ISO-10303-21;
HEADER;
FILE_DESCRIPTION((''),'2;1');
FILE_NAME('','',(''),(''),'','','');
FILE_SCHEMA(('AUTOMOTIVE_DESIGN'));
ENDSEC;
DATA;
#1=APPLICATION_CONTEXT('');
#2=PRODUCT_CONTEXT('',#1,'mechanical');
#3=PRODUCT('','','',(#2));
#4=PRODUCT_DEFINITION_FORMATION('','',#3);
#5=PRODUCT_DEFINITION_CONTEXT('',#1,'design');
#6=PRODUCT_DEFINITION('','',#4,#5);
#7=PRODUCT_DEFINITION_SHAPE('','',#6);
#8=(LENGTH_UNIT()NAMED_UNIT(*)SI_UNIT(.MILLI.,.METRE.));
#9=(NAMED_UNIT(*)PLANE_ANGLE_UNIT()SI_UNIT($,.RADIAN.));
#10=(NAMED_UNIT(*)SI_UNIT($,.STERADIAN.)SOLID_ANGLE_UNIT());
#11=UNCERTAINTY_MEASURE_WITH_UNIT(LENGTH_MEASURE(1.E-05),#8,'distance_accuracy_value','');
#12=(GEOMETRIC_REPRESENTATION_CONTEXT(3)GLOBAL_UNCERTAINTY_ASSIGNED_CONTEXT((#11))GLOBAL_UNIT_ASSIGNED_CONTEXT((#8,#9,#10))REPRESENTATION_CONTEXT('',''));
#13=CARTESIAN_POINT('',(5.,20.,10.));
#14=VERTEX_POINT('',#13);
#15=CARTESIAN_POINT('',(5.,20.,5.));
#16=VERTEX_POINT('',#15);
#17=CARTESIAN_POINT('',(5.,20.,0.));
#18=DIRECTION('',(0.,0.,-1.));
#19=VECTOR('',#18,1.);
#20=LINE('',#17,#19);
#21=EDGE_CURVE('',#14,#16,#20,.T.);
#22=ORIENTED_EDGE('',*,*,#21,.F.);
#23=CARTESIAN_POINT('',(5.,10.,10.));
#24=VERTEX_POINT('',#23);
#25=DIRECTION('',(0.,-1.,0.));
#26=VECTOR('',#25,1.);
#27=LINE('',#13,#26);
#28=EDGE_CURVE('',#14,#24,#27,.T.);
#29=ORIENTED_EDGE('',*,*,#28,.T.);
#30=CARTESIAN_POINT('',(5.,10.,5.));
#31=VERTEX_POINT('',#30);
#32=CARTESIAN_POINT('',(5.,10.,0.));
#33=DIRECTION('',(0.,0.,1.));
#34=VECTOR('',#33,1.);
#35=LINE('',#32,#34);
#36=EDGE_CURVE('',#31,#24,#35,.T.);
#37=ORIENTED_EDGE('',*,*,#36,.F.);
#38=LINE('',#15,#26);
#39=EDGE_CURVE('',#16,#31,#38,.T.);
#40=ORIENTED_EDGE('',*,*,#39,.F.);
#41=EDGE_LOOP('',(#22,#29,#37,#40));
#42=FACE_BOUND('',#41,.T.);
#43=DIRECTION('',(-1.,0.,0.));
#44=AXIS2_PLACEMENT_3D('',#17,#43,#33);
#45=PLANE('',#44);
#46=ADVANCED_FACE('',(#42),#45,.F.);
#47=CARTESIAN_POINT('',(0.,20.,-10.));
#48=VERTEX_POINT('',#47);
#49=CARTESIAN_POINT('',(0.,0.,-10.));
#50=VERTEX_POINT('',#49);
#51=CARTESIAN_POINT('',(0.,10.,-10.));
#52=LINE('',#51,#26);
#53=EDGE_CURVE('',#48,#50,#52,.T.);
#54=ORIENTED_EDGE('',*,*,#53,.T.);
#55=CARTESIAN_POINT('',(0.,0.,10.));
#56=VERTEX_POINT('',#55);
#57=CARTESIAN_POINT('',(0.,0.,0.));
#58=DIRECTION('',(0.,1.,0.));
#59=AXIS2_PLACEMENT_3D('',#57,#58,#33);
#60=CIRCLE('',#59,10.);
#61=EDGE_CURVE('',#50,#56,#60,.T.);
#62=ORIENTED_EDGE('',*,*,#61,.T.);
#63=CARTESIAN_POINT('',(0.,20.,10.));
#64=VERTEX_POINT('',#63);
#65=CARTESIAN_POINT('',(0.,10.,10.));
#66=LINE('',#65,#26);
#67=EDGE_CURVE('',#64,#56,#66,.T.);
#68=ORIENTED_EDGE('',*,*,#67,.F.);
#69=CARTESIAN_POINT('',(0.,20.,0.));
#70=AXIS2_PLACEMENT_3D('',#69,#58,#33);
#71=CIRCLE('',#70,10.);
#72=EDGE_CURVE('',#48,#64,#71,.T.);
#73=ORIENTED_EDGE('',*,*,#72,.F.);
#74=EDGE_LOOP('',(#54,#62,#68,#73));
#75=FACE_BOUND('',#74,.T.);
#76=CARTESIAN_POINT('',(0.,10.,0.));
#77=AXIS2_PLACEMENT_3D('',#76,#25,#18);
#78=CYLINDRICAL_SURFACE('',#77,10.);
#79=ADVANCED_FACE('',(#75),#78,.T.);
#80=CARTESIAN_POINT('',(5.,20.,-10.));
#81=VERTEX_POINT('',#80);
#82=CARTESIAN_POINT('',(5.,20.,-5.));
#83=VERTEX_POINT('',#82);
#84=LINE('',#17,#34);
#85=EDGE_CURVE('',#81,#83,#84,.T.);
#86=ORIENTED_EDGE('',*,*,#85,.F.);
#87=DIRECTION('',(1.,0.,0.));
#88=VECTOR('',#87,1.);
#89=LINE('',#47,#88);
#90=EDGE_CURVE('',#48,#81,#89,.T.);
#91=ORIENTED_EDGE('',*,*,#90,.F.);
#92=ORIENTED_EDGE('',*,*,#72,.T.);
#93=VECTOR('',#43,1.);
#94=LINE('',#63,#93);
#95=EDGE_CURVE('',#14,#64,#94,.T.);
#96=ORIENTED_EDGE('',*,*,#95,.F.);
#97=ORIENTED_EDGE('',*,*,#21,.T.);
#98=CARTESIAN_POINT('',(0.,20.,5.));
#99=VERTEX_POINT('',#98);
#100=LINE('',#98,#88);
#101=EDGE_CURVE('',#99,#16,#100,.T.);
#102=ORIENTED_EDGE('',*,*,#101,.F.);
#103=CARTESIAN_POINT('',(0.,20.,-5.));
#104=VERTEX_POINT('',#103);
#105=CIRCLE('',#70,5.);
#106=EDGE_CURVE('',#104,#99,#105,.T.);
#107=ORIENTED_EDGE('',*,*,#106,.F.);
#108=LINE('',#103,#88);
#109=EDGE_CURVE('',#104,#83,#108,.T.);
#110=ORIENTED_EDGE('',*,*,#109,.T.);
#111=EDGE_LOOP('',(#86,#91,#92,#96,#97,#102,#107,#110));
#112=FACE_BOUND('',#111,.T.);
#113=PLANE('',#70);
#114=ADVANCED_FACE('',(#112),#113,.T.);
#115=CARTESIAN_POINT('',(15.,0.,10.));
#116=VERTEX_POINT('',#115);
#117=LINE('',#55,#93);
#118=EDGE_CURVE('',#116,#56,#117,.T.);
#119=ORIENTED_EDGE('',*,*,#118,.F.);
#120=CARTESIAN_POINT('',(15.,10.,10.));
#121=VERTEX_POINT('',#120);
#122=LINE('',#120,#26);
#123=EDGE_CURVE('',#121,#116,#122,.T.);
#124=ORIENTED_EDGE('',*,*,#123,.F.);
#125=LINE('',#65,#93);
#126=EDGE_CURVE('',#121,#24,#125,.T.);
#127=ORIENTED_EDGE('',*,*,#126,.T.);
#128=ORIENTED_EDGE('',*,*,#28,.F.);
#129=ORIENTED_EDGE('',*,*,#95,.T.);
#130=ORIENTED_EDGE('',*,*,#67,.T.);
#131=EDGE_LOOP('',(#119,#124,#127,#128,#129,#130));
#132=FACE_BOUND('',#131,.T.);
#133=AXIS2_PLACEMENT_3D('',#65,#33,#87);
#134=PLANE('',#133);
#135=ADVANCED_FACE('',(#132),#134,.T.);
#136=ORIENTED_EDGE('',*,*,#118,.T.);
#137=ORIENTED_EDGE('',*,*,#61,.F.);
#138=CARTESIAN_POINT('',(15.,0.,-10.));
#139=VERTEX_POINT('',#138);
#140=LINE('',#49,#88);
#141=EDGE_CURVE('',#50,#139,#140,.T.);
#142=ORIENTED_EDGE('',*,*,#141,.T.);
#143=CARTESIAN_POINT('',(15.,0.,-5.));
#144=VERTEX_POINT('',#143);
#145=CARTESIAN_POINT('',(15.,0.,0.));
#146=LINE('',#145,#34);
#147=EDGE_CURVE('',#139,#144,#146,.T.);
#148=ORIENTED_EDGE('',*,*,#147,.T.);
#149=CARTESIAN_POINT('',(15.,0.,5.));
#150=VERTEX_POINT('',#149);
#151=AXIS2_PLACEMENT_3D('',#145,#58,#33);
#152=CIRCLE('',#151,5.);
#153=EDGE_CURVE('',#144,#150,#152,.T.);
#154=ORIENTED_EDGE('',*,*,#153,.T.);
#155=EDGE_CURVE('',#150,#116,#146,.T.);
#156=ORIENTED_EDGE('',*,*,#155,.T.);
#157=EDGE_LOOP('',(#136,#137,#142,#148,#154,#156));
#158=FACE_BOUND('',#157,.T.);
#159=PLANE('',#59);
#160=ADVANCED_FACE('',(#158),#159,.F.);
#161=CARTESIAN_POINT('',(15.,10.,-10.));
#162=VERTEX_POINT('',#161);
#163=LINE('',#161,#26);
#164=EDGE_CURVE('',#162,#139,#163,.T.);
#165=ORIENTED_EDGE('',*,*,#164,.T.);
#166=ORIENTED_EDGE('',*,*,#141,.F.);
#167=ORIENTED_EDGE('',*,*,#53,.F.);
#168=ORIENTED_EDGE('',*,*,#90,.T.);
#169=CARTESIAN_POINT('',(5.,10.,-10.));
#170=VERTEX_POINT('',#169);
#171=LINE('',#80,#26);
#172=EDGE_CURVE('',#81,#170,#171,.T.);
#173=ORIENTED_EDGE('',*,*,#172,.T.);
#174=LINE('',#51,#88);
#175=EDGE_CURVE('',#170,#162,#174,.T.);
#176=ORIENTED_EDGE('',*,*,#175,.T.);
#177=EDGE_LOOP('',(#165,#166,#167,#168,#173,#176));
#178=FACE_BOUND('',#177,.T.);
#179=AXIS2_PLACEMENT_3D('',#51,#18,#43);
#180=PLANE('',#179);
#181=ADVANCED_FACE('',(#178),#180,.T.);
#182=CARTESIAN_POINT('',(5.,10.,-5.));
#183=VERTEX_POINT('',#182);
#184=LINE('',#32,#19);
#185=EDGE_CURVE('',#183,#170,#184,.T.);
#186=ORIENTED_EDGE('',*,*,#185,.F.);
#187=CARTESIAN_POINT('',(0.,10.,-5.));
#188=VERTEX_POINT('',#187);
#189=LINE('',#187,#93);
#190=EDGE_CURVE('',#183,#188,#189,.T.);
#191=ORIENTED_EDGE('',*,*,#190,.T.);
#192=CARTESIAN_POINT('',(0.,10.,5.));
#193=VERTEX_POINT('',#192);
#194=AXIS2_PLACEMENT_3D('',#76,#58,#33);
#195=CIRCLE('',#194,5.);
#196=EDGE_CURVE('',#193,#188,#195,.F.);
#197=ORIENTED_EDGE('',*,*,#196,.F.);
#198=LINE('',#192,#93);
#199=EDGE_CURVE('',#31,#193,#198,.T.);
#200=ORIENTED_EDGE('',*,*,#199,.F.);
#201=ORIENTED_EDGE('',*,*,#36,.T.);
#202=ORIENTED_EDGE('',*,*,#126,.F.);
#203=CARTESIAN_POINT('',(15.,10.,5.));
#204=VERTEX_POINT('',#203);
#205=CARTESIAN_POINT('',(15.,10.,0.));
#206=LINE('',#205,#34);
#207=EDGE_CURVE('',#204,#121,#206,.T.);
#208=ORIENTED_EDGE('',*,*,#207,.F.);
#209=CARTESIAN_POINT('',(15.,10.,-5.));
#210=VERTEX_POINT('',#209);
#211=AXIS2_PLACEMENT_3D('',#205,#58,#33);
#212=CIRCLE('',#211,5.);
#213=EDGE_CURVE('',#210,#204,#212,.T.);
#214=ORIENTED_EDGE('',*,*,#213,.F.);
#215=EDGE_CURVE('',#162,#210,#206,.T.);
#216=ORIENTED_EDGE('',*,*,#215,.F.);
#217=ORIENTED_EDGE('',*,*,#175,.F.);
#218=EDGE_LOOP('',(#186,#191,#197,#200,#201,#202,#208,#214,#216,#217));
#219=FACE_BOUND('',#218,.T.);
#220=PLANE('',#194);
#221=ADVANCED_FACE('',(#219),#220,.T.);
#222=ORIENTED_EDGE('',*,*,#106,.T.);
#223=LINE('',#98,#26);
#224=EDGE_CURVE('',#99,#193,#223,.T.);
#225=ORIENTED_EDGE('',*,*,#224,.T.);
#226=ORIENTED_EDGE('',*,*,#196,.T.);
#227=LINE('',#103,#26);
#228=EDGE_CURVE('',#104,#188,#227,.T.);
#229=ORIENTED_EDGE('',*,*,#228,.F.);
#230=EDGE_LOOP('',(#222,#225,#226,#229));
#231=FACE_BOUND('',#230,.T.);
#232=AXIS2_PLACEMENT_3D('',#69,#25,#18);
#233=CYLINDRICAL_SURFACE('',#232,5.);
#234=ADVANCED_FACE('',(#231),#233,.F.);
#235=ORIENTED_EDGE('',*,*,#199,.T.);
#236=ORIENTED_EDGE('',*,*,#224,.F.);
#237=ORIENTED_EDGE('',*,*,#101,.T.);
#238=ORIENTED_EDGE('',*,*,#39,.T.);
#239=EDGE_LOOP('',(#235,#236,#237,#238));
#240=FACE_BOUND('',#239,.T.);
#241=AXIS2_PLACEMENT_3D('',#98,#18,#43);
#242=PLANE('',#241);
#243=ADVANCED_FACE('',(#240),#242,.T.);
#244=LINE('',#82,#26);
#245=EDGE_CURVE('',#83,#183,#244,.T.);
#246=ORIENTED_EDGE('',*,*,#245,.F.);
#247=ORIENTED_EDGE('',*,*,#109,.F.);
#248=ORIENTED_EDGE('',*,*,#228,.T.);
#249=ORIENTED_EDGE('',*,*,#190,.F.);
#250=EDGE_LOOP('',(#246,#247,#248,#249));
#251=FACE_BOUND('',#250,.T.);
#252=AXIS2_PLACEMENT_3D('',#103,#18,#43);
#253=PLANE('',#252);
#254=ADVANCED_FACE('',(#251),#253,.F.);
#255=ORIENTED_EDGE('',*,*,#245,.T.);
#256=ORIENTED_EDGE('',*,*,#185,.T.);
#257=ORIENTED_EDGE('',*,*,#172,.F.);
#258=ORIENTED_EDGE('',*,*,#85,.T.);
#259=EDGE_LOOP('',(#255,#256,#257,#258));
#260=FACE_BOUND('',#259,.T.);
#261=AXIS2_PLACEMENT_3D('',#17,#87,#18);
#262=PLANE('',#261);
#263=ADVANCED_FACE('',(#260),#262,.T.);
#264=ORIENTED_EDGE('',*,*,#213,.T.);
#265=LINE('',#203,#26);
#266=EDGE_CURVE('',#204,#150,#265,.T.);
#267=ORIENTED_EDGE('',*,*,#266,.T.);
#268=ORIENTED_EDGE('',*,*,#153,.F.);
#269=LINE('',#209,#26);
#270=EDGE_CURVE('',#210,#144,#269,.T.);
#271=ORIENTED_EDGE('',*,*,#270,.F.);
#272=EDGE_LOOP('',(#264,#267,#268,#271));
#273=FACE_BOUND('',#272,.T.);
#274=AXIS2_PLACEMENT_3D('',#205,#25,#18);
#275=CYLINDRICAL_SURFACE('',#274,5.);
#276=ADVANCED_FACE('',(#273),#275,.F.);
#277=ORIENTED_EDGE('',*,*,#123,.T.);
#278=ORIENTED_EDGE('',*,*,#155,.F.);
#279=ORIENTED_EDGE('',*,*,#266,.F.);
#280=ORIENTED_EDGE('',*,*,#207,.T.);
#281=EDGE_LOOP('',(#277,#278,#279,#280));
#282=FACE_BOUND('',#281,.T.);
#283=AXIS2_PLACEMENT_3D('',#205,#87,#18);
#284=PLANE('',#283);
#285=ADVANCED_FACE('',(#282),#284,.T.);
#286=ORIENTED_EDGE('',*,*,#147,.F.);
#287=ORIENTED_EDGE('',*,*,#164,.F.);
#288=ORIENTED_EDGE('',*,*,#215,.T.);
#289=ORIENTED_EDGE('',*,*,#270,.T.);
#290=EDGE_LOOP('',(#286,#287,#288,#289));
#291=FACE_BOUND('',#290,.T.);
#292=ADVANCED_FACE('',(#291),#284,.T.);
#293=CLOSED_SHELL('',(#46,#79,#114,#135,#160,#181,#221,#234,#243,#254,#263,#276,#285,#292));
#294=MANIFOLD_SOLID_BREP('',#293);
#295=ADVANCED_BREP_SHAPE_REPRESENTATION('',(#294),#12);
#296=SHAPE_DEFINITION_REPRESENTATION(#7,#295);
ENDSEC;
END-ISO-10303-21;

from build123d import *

# Parameters (mm, degrees)
EXTRUDE_1_DEPTH = 10
EXTRUDE_2_DEPTH = 20


with BuildPart() as part:
    # 草圖1 → 填料-伸長1 (new body)
    with BuildSketch(Plane(origin=(0, 0, 0), x_dir=(1, 0, 0), z_dir=(0, 1, 0))):
        with BuildLine():
            Line((15, 10), (0, 10))
            ThreePointArc((0, 10), (-10, 0), (0, -10))
            Line((0, -10), (15, -10))
            Line((15, -10), (15, -5))
            ThreePointArc((15, -5), (10, 0), (15, 5))
            Line((15, 5), (15, 10))
        make_face()
    extrude(amount=EXTRUDE_1_DEPTH)

    # 草圖1<3> → 填料-伸長2 (add)
    with BuildSketch(Plane(origin=(0, 0, 0), x_dir=(1, 0, 0), z_dir=(0, 1, 0))):
        with BuildLine():
            Line((5, 5), (5, 10))
            Line((5, 10), (0, 10))
            ThreePointArc((0, 10), (-10, 0), (0, -10))
            Line((0, -10), (5, -10))
            Line((5, -10), (5, -5))
            Line((5, -5), (0, -5))
            ThreePointArc((0, -5), (-5, 0), (0, 5))
            Line((0, 5), (5, 5))
        make_face()
    extrude(amount=EXTRUDE_2_DEPTH)


solid = part.part
